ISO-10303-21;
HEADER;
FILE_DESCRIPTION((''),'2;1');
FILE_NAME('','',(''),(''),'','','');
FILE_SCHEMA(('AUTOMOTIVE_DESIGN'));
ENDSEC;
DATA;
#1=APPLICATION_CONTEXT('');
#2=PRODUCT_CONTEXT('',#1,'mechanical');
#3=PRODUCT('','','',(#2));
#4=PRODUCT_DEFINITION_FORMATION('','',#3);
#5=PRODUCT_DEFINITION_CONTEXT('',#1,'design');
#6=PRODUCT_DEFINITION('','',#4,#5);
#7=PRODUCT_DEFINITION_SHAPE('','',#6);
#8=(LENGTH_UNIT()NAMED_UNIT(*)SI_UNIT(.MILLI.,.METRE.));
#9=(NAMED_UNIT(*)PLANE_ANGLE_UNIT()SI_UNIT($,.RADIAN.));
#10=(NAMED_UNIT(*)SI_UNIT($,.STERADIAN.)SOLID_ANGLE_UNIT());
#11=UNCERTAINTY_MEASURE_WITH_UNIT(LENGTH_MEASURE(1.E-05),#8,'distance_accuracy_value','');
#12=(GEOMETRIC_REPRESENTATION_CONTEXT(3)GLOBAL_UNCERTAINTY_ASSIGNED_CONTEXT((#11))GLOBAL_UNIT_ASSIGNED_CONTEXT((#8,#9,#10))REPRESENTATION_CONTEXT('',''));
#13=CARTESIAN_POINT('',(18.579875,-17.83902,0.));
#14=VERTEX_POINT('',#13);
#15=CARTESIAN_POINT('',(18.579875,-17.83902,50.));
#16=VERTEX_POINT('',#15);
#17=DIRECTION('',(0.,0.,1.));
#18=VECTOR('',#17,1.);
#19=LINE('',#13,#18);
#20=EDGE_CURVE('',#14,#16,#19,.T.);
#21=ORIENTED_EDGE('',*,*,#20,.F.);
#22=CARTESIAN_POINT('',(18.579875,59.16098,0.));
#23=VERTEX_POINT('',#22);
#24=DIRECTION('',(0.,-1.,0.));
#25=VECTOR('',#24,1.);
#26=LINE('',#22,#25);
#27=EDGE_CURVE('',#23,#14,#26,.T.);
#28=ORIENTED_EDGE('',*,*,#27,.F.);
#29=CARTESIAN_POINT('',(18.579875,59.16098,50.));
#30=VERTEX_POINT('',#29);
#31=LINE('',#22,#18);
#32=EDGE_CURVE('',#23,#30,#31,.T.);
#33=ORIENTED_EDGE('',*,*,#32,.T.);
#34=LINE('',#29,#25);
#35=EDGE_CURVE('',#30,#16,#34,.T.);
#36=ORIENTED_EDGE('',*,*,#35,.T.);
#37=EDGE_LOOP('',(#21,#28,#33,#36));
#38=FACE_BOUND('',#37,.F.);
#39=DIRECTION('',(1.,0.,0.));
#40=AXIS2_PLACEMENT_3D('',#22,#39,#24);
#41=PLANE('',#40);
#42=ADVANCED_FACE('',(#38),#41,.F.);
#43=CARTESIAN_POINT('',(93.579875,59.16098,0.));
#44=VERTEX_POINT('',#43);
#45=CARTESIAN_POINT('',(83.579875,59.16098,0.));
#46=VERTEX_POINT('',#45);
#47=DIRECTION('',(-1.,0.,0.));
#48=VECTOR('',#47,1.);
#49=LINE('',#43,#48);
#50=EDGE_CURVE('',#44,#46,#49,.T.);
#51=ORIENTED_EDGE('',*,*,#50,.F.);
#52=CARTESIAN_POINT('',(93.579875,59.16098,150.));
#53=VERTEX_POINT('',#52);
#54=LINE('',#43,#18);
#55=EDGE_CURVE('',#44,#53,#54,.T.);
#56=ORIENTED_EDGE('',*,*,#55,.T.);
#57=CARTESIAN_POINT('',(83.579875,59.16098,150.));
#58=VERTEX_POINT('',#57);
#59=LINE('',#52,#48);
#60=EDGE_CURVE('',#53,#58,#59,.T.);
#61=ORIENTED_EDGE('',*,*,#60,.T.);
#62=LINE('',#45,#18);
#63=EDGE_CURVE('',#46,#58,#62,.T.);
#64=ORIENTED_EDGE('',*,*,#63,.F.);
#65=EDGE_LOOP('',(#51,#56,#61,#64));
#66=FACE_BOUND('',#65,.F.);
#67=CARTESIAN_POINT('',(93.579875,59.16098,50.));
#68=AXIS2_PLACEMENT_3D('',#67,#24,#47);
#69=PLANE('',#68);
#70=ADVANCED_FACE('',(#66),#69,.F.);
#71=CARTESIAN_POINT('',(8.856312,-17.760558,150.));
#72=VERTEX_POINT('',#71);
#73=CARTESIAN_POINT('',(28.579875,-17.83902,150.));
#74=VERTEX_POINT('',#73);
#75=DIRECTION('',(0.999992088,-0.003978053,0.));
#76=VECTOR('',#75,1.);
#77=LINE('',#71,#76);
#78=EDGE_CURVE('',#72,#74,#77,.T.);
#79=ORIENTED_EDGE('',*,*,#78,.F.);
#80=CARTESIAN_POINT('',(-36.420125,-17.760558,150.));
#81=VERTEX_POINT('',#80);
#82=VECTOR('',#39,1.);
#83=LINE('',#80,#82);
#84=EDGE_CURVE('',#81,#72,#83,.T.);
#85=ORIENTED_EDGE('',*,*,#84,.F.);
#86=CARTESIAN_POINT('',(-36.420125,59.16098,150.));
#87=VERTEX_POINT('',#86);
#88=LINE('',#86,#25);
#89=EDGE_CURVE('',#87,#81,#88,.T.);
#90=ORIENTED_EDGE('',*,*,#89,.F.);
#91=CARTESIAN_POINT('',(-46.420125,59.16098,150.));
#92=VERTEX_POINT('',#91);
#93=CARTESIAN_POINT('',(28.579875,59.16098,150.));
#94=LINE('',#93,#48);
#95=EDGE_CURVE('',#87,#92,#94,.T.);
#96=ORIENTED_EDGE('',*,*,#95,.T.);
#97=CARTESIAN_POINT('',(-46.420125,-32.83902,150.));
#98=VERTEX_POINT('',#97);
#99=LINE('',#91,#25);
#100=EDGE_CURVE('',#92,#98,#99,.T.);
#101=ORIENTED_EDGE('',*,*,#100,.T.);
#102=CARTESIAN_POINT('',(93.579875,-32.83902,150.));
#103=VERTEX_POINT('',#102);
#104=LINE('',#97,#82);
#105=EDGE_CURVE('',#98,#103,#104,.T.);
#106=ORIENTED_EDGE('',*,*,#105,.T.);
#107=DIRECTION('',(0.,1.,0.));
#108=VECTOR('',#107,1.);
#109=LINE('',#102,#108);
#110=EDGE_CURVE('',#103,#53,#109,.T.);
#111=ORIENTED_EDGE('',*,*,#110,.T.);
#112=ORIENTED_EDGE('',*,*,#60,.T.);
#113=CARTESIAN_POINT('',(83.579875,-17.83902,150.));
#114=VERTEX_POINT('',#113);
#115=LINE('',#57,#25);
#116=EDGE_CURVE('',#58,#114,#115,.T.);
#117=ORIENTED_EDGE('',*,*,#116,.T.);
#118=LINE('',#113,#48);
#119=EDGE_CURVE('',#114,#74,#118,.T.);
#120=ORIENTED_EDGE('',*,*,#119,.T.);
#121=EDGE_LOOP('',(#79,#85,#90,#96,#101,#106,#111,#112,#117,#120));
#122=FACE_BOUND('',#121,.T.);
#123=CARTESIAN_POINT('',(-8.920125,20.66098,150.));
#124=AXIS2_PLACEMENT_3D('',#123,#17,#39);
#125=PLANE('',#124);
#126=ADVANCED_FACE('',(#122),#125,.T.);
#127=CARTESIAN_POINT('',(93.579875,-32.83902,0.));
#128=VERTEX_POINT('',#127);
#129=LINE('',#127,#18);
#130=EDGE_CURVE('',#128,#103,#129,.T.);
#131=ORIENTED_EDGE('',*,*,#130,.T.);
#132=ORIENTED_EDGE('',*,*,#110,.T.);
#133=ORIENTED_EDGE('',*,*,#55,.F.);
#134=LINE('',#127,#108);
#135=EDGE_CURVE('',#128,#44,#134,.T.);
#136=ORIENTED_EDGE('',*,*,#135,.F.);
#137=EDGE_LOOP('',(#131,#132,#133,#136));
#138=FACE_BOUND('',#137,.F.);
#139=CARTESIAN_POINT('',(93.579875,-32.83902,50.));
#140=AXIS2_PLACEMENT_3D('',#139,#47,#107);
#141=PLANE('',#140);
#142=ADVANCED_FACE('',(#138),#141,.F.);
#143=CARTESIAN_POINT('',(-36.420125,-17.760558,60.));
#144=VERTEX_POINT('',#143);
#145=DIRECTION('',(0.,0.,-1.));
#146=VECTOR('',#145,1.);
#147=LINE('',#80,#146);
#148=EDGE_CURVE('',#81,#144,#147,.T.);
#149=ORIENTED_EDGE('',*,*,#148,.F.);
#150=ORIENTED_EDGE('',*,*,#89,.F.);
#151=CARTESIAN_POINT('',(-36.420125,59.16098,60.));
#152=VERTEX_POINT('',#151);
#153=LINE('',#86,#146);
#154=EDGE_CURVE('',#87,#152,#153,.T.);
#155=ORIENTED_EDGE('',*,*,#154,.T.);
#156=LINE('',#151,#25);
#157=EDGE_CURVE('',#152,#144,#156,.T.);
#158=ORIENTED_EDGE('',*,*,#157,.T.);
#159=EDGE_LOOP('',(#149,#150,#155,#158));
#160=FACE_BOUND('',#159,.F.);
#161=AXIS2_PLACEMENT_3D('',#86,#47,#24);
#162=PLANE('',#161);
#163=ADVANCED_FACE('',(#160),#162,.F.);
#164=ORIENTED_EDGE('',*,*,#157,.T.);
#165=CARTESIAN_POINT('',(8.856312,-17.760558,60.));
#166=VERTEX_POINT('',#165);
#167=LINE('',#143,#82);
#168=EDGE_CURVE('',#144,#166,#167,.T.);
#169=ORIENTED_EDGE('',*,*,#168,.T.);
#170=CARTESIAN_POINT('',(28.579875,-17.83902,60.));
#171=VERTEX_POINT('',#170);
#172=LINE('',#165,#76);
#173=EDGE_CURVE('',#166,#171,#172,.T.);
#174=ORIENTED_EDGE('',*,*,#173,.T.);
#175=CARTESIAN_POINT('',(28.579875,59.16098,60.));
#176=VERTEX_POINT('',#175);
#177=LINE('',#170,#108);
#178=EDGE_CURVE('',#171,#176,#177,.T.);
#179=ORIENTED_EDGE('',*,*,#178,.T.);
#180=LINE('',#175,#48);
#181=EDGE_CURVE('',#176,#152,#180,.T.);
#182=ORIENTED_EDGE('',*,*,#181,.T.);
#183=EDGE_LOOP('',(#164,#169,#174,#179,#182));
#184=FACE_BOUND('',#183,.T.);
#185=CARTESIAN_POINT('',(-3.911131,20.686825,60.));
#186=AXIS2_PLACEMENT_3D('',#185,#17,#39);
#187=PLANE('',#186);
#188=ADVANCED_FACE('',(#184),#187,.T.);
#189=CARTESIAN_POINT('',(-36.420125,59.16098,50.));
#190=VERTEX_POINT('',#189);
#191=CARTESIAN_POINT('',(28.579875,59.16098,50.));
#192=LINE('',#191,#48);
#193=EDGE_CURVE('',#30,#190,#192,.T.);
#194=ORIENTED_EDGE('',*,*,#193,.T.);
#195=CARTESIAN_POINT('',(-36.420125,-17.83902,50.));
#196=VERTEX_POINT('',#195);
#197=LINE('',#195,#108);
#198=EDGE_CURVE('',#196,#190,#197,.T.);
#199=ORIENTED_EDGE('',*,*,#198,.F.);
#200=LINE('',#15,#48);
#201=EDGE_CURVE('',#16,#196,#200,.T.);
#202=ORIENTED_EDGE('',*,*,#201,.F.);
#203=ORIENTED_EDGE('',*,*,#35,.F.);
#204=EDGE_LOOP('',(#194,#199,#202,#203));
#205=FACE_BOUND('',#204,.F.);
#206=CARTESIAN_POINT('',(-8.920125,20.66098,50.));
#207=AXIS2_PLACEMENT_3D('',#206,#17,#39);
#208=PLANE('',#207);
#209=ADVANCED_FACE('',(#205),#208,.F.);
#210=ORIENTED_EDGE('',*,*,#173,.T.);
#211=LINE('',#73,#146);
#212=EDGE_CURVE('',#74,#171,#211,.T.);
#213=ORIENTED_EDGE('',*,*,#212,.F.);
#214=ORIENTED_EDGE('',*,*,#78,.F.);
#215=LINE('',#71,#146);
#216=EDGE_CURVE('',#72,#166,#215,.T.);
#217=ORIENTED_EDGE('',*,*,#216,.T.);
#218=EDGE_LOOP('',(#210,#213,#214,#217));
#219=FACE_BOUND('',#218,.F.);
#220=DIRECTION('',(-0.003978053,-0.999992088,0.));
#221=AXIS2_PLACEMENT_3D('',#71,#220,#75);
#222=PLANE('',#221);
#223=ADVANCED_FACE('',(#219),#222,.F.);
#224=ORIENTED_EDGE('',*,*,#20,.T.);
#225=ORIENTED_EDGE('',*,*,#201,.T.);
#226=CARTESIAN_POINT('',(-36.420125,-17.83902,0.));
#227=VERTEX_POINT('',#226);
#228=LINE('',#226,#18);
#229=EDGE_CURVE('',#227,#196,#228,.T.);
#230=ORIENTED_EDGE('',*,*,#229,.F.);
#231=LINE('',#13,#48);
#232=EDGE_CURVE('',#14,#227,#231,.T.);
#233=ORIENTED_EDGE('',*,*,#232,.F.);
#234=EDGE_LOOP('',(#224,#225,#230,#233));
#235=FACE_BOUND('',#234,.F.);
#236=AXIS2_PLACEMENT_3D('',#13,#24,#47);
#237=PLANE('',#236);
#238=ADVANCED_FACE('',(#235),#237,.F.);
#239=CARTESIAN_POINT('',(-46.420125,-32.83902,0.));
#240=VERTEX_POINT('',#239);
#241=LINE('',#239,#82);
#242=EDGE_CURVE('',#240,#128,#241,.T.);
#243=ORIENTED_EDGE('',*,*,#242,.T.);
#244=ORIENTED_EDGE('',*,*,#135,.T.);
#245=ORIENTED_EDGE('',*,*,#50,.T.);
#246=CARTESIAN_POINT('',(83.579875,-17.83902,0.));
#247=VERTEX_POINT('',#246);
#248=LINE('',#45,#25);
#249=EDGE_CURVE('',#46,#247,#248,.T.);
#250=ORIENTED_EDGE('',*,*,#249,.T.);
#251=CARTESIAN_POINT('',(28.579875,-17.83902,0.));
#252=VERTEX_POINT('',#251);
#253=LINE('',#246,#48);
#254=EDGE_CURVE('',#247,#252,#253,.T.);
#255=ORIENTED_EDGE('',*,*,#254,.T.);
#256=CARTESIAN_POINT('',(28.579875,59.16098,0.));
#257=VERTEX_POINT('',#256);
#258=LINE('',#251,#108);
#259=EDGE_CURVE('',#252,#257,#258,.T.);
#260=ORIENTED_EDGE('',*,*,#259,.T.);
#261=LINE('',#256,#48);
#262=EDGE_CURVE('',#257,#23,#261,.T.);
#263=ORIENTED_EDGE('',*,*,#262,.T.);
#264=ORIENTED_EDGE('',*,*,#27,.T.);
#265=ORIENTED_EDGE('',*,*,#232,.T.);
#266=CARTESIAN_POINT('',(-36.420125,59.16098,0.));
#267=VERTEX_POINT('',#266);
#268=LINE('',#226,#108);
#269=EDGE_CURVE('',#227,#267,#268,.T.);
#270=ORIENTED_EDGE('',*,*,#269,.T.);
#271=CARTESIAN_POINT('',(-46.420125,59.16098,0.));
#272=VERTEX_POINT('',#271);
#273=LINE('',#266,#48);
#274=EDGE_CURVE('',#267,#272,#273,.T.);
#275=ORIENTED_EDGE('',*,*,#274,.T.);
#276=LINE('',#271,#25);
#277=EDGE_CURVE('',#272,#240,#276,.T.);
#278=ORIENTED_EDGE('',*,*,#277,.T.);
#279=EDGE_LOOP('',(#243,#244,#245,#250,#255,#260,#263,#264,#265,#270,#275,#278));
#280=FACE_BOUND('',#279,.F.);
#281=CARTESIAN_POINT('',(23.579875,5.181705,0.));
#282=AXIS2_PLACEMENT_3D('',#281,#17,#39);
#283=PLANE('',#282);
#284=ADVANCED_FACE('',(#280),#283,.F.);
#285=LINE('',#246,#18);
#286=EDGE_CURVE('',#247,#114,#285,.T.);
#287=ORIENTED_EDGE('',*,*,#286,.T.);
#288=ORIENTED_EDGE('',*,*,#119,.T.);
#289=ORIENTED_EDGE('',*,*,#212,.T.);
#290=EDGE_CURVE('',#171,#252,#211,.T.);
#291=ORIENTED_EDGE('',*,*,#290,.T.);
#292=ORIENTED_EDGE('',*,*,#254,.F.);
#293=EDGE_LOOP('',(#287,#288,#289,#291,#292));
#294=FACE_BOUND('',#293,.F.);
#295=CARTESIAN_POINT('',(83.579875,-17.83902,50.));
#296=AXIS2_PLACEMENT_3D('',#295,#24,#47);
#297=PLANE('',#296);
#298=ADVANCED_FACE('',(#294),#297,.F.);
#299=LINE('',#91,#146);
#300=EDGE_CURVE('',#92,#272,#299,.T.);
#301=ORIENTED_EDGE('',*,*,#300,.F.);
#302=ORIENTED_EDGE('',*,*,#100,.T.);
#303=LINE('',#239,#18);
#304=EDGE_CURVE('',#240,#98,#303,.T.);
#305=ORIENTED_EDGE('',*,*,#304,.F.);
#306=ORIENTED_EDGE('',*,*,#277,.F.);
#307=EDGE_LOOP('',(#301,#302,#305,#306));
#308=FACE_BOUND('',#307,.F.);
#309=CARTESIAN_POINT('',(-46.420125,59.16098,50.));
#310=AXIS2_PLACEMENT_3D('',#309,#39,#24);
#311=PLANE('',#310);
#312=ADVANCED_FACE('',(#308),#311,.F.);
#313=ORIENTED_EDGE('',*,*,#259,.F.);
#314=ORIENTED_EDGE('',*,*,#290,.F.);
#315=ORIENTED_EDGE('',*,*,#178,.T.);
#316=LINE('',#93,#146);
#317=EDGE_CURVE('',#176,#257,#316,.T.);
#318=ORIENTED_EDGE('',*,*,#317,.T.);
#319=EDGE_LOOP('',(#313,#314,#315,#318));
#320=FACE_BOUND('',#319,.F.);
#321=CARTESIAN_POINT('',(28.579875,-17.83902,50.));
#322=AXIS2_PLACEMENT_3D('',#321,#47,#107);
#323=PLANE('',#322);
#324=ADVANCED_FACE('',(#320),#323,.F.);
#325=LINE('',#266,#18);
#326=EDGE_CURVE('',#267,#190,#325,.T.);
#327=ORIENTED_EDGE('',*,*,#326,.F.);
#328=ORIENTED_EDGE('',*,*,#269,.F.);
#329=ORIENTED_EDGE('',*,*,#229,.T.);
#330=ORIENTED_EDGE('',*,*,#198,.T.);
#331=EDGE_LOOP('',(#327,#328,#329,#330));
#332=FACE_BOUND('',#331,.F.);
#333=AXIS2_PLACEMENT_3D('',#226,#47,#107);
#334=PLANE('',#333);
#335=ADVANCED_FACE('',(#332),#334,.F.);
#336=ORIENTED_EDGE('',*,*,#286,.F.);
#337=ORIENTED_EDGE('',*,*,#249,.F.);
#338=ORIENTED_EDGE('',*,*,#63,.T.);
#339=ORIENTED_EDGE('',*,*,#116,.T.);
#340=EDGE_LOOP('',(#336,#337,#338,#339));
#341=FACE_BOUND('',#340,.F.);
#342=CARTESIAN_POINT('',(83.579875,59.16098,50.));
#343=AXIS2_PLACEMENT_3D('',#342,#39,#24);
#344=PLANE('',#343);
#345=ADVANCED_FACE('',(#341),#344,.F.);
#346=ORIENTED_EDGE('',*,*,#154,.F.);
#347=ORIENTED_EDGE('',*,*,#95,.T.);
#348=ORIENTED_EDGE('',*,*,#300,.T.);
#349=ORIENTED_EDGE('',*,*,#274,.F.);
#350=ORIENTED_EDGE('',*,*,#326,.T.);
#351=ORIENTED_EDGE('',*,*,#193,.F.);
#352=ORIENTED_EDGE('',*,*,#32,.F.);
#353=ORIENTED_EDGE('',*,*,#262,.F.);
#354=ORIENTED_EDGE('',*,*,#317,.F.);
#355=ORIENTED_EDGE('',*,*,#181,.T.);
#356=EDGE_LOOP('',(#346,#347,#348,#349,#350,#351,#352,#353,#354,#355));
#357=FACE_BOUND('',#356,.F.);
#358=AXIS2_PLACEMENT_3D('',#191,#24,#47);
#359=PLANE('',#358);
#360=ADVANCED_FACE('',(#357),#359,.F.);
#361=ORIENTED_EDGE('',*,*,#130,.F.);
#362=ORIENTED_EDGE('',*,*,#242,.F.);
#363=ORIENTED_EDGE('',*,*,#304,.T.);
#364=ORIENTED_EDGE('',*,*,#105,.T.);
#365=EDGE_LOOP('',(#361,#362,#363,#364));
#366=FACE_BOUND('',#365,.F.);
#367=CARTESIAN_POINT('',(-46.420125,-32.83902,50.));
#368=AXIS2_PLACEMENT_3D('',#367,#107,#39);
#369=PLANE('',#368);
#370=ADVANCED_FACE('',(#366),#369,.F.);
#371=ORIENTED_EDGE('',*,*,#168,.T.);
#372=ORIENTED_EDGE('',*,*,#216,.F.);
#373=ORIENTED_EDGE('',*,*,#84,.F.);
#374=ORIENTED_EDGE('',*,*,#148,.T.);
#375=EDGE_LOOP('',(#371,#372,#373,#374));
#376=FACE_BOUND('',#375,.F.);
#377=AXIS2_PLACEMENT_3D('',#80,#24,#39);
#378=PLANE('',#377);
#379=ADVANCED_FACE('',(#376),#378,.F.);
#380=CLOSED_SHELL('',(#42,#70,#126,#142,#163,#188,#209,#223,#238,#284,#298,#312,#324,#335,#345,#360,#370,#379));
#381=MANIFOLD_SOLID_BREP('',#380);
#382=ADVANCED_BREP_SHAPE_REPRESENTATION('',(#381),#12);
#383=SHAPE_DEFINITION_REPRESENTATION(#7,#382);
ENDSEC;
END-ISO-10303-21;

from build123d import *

# Parameters (mm, degrees)
F1_DEPTH = 50
F2_W     = 55
F2_H     = 77
F3_DEPTH = 100
F5_DEPTH = 90


with BuildPart() as f1:
    # F0 (on Top) → F1 (new body)
    with BuildSketch(Plane.XY):
        Polygon((-36.420125, 59.16098), (-46.420125, 59.16098), (-46.420125, -32.83902), (93.579875, -32.83902), (93.579875, 59.16098), (83.579875, 59.16098), (83.579875, -17.83902), (28.579875, -17.83902), (28.579875, 59.16098), (18.579875, 59.16098), (18.579875, -17.83902), (-36.420125, -17.83902), align=None)
    extrude(amount=F1_DEPTH)

    # F2 (on face) → F3 (join)
    with BuildSketch(Plane.XY.offset(50)):
        with Locations((-8.920125, 20.66098)):
            Rectangle(F2_W, F2_H)
        Polygon((-36.420125, -17.83902), (-36.420125, 59.16098), (-46.420125, 59.16098), (-46.420125, -32.83902), (93.579875, -32.83902), (93.579875, 59.16098), (83.579875, 59.16098), (83.579875, -17.83902), (28.579875, -17.83902), (28.579875, 59.16098), (18.579875, 59.16098), (18.579875, -17.83902), align=None)
    extrude(amount=F3_DEPTH)

    # F4 (on face) → F5 (cut)
    with BuildSketch(Plane.XY.offset(150)):
        Polygon((28.579875, 59.16098), (-36.420125, 59.16098), (-36.420125, -17.760558), (8.856312, -17.760558), (28.579875, -17.83902), align=None)
    extrude(amount=-F5_DEPTH, mode=Mode.SUBTRACT)


solid = f1.part
